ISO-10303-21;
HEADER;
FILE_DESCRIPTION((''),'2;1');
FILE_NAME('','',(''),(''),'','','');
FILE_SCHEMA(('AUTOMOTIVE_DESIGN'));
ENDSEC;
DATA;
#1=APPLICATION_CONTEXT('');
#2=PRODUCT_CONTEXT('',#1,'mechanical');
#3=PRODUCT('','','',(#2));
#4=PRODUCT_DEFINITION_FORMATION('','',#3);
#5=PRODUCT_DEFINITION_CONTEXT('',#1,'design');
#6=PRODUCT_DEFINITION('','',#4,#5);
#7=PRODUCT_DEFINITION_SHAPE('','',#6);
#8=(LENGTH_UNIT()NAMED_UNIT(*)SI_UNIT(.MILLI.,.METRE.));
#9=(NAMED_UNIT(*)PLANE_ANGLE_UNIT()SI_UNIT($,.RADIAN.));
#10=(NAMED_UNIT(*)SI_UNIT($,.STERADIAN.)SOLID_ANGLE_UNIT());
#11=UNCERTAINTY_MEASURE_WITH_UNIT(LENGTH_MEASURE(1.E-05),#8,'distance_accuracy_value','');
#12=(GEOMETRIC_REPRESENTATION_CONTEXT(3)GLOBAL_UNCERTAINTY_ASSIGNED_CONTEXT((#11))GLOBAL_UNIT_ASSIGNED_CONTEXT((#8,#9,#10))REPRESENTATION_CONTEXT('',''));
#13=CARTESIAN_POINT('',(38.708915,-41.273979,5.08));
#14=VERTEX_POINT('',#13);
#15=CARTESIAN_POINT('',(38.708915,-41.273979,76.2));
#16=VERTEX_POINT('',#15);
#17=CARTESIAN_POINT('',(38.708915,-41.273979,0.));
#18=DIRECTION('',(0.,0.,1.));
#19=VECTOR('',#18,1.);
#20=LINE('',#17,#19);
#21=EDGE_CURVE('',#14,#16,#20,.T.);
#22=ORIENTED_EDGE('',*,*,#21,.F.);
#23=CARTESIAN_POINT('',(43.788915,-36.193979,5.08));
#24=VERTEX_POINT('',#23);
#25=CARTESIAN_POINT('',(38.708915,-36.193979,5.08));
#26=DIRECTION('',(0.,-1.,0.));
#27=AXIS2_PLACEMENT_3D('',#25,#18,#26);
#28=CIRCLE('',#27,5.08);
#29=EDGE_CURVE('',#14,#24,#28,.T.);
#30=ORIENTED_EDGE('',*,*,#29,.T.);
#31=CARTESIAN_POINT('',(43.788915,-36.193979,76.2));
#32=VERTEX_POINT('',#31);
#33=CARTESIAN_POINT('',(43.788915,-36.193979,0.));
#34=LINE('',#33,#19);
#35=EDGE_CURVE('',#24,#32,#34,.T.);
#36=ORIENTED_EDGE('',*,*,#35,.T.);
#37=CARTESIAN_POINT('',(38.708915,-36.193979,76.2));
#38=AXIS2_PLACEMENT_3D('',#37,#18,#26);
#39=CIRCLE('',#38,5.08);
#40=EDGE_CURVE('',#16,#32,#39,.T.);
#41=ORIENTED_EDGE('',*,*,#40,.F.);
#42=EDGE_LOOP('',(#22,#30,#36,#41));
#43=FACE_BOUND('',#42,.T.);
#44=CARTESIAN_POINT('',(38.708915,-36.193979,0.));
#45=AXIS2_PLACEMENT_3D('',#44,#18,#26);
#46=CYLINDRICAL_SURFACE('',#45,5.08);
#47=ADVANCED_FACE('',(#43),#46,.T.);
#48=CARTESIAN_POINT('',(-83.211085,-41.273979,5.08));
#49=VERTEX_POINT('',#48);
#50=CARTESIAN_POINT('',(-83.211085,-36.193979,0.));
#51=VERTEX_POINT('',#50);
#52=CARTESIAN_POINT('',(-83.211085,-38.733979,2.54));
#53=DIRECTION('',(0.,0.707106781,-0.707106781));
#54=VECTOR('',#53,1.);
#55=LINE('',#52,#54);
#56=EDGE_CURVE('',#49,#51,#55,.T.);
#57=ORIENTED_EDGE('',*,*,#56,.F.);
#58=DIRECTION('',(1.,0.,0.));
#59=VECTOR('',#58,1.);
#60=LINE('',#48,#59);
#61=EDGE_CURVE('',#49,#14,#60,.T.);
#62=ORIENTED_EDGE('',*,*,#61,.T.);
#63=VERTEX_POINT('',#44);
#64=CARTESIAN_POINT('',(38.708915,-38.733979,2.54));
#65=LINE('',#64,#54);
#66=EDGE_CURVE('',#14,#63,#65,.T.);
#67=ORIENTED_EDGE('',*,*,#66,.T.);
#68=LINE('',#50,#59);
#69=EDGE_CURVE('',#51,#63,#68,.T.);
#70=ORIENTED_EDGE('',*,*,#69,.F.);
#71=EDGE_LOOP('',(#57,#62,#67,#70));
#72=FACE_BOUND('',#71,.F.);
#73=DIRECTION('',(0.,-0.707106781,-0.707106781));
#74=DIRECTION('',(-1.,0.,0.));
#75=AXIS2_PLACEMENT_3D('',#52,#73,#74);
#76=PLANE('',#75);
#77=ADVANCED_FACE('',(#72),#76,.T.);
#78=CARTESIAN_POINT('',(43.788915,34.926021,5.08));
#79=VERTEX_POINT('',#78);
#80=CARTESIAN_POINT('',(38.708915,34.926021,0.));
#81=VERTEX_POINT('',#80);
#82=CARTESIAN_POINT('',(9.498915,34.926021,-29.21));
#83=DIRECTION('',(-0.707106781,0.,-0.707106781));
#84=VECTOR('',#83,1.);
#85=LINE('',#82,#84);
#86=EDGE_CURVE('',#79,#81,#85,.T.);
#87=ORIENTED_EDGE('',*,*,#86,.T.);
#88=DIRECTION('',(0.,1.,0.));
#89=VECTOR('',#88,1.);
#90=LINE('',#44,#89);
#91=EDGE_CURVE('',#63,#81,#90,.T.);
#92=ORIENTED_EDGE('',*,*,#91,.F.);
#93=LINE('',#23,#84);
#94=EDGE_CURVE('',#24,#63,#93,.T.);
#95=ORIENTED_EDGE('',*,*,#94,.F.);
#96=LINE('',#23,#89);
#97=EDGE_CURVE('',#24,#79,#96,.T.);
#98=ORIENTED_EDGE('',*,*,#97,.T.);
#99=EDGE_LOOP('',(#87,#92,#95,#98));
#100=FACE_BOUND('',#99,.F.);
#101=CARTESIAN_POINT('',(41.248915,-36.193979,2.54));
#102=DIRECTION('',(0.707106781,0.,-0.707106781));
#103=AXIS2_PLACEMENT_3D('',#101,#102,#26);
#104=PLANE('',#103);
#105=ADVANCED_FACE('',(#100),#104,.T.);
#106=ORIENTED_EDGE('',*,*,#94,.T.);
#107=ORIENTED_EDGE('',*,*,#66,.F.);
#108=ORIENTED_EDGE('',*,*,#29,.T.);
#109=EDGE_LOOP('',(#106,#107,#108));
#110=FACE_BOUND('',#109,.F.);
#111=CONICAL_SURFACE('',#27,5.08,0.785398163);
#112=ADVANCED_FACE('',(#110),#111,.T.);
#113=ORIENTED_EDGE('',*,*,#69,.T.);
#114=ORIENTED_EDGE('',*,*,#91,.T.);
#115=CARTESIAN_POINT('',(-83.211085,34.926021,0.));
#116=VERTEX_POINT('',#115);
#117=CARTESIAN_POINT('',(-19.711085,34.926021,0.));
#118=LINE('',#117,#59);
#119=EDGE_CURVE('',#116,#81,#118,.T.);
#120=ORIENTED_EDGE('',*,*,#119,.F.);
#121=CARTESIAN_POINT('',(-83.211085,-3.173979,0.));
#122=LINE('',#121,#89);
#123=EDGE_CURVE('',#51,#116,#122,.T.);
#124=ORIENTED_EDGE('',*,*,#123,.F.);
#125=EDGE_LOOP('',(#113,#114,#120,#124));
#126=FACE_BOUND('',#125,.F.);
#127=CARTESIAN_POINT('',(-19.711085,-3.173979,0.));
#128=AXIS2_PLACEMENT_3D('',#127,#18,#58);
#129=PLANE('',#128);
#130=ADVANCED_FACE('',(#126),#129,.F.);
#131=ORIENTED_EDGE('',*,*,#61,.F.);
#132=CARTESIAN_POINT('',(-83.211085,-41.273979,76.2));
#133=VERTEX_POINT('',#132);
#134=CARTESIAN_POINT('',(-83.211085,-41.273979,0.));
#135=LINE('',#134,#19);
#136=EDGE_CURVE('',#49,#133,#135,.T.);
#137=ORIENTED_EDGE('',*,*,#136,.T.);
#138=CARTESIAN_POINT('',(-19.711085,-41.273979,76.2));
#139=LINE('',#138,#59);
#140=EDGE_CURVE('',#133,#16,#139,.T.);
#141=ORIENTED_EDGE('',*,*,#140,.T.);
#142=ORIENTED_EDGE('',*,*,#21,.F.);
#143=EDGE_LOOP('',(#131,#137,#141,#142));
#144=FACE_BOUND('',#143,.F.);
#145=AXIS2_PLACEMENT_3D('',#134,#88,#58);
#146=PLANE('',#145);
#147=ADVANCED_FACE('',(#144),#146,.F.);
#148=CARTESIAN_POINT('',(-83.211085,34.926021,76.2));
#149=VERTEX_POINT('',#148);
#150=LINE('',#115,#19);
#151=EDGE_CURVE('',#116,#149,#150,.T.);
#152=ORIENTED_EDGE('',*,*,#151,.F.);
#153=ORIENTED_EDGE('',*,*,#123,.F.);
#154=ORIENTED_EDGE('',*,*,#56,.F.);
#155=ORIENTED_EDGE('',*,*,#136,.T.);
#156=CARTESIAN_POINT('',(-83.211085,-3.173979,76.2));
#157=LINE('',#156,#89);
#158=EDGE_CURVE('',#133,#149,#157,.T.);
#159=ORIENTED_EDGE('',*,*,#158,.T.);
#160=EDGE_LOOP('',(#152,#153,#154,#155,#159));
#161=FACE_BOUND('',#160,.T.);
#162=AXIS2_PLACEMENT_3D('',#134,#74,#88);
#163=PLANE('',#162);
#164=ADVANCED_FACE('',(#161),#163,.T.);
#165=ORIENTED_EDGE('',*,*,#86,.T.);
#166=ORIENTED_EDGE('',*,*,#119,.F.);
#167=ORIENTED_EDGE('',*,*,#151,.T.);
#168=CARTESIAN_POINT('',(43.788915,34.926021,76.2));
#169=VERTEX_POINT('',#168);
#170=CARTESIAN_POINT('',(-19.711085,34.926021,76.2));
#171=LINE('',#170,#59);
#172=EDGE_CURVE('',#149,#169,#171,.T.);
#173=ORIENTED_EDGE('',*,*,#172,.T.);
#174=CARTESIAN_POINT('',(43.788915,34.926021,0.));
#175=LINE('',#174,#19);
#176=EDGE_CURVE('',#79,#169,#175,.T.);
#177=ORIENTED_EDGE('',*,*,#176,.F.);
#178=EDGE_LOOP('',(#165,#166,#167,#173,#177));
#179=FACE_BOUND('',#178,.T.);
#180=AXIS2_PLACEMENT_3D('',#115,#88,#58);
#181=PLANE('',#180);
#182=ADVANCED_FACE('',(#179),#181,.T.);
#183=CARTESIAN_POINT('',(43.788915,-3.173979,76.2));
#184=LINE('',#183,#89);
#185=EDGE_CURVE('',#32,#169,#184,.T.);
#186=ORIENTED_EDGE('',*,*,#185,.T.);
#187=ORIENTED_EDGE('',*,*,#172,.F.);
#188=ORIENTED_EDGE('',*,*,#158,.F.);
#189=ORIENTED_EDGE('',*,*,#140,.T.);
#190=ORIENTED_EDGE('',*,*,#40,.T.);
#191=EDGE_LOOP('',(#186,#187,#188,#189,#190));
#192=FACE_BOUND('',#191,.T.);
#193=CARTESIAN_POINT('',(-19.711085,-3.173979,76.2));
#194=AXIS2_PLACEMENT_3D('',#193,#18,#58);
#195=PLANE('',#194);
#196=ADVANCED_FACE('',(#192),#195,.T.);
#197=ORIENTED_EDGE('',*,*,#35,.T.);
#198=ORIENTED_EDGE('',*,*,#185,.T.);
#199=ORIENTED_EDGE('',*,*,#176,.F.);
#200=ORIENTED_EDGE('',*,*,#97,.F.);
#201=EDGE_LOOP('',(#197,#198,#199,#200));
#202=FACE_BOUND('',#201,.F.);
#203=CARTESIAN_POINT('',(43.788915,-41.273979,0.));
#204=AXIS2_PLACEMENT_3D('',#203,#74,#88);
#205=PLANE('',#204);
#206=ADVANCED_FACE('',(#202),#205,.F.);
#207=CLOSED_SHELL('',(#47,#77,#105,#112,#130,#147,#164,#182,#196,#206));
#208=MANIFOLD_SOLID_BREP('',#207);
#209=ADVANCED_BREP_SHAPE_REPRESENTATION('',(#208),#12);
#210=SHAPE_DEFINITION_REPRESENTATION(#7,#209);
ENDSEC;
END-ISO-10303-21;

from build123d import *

# Parameters (mm, degrees)
F0_W     = 127
F0_H     = 76.2
F1_DEPTH = 76.2
F2_W     = 25.4
F2_H     = 12.7
F3_DEPTH = 12.7
F4_R     = 5.08
F5_SIZE  = 5.08


with BuildPart() as f1:
    # F0 (on Top) → F1 (new body)
    with BuildSketch(Plane.XY):
        with Locations((-19.711085, -3.173979)):
            Rectangle(F0_W, F0_H)
    extrude(amount=F1_DEPTH)

    # F2 (on face) → F3 (join)
    with BuildSketch(Plane.XY.offset(76.2)):
        with Locations((-19.711085, -6.35)):
            Rectangle(F2_W, F2_H)
    extrude(amount=-F3_DEPTH)

    # F4
    f4_edges = [f1.edges().sort_by_distance(p)[0] for p in [
        (43.788915, -41.273979, 38.1),
    ]]
    fillet(f4_edges, radius=F4_R)

    # F5
    f5_edges = [f1.edges().sort_by_distance(p)[0] for p in [
        (-22.251085, -41.273979, 0),
    ]]
    chamfer(f5_edges, length=F5_SIZE)


solid = f1.part
